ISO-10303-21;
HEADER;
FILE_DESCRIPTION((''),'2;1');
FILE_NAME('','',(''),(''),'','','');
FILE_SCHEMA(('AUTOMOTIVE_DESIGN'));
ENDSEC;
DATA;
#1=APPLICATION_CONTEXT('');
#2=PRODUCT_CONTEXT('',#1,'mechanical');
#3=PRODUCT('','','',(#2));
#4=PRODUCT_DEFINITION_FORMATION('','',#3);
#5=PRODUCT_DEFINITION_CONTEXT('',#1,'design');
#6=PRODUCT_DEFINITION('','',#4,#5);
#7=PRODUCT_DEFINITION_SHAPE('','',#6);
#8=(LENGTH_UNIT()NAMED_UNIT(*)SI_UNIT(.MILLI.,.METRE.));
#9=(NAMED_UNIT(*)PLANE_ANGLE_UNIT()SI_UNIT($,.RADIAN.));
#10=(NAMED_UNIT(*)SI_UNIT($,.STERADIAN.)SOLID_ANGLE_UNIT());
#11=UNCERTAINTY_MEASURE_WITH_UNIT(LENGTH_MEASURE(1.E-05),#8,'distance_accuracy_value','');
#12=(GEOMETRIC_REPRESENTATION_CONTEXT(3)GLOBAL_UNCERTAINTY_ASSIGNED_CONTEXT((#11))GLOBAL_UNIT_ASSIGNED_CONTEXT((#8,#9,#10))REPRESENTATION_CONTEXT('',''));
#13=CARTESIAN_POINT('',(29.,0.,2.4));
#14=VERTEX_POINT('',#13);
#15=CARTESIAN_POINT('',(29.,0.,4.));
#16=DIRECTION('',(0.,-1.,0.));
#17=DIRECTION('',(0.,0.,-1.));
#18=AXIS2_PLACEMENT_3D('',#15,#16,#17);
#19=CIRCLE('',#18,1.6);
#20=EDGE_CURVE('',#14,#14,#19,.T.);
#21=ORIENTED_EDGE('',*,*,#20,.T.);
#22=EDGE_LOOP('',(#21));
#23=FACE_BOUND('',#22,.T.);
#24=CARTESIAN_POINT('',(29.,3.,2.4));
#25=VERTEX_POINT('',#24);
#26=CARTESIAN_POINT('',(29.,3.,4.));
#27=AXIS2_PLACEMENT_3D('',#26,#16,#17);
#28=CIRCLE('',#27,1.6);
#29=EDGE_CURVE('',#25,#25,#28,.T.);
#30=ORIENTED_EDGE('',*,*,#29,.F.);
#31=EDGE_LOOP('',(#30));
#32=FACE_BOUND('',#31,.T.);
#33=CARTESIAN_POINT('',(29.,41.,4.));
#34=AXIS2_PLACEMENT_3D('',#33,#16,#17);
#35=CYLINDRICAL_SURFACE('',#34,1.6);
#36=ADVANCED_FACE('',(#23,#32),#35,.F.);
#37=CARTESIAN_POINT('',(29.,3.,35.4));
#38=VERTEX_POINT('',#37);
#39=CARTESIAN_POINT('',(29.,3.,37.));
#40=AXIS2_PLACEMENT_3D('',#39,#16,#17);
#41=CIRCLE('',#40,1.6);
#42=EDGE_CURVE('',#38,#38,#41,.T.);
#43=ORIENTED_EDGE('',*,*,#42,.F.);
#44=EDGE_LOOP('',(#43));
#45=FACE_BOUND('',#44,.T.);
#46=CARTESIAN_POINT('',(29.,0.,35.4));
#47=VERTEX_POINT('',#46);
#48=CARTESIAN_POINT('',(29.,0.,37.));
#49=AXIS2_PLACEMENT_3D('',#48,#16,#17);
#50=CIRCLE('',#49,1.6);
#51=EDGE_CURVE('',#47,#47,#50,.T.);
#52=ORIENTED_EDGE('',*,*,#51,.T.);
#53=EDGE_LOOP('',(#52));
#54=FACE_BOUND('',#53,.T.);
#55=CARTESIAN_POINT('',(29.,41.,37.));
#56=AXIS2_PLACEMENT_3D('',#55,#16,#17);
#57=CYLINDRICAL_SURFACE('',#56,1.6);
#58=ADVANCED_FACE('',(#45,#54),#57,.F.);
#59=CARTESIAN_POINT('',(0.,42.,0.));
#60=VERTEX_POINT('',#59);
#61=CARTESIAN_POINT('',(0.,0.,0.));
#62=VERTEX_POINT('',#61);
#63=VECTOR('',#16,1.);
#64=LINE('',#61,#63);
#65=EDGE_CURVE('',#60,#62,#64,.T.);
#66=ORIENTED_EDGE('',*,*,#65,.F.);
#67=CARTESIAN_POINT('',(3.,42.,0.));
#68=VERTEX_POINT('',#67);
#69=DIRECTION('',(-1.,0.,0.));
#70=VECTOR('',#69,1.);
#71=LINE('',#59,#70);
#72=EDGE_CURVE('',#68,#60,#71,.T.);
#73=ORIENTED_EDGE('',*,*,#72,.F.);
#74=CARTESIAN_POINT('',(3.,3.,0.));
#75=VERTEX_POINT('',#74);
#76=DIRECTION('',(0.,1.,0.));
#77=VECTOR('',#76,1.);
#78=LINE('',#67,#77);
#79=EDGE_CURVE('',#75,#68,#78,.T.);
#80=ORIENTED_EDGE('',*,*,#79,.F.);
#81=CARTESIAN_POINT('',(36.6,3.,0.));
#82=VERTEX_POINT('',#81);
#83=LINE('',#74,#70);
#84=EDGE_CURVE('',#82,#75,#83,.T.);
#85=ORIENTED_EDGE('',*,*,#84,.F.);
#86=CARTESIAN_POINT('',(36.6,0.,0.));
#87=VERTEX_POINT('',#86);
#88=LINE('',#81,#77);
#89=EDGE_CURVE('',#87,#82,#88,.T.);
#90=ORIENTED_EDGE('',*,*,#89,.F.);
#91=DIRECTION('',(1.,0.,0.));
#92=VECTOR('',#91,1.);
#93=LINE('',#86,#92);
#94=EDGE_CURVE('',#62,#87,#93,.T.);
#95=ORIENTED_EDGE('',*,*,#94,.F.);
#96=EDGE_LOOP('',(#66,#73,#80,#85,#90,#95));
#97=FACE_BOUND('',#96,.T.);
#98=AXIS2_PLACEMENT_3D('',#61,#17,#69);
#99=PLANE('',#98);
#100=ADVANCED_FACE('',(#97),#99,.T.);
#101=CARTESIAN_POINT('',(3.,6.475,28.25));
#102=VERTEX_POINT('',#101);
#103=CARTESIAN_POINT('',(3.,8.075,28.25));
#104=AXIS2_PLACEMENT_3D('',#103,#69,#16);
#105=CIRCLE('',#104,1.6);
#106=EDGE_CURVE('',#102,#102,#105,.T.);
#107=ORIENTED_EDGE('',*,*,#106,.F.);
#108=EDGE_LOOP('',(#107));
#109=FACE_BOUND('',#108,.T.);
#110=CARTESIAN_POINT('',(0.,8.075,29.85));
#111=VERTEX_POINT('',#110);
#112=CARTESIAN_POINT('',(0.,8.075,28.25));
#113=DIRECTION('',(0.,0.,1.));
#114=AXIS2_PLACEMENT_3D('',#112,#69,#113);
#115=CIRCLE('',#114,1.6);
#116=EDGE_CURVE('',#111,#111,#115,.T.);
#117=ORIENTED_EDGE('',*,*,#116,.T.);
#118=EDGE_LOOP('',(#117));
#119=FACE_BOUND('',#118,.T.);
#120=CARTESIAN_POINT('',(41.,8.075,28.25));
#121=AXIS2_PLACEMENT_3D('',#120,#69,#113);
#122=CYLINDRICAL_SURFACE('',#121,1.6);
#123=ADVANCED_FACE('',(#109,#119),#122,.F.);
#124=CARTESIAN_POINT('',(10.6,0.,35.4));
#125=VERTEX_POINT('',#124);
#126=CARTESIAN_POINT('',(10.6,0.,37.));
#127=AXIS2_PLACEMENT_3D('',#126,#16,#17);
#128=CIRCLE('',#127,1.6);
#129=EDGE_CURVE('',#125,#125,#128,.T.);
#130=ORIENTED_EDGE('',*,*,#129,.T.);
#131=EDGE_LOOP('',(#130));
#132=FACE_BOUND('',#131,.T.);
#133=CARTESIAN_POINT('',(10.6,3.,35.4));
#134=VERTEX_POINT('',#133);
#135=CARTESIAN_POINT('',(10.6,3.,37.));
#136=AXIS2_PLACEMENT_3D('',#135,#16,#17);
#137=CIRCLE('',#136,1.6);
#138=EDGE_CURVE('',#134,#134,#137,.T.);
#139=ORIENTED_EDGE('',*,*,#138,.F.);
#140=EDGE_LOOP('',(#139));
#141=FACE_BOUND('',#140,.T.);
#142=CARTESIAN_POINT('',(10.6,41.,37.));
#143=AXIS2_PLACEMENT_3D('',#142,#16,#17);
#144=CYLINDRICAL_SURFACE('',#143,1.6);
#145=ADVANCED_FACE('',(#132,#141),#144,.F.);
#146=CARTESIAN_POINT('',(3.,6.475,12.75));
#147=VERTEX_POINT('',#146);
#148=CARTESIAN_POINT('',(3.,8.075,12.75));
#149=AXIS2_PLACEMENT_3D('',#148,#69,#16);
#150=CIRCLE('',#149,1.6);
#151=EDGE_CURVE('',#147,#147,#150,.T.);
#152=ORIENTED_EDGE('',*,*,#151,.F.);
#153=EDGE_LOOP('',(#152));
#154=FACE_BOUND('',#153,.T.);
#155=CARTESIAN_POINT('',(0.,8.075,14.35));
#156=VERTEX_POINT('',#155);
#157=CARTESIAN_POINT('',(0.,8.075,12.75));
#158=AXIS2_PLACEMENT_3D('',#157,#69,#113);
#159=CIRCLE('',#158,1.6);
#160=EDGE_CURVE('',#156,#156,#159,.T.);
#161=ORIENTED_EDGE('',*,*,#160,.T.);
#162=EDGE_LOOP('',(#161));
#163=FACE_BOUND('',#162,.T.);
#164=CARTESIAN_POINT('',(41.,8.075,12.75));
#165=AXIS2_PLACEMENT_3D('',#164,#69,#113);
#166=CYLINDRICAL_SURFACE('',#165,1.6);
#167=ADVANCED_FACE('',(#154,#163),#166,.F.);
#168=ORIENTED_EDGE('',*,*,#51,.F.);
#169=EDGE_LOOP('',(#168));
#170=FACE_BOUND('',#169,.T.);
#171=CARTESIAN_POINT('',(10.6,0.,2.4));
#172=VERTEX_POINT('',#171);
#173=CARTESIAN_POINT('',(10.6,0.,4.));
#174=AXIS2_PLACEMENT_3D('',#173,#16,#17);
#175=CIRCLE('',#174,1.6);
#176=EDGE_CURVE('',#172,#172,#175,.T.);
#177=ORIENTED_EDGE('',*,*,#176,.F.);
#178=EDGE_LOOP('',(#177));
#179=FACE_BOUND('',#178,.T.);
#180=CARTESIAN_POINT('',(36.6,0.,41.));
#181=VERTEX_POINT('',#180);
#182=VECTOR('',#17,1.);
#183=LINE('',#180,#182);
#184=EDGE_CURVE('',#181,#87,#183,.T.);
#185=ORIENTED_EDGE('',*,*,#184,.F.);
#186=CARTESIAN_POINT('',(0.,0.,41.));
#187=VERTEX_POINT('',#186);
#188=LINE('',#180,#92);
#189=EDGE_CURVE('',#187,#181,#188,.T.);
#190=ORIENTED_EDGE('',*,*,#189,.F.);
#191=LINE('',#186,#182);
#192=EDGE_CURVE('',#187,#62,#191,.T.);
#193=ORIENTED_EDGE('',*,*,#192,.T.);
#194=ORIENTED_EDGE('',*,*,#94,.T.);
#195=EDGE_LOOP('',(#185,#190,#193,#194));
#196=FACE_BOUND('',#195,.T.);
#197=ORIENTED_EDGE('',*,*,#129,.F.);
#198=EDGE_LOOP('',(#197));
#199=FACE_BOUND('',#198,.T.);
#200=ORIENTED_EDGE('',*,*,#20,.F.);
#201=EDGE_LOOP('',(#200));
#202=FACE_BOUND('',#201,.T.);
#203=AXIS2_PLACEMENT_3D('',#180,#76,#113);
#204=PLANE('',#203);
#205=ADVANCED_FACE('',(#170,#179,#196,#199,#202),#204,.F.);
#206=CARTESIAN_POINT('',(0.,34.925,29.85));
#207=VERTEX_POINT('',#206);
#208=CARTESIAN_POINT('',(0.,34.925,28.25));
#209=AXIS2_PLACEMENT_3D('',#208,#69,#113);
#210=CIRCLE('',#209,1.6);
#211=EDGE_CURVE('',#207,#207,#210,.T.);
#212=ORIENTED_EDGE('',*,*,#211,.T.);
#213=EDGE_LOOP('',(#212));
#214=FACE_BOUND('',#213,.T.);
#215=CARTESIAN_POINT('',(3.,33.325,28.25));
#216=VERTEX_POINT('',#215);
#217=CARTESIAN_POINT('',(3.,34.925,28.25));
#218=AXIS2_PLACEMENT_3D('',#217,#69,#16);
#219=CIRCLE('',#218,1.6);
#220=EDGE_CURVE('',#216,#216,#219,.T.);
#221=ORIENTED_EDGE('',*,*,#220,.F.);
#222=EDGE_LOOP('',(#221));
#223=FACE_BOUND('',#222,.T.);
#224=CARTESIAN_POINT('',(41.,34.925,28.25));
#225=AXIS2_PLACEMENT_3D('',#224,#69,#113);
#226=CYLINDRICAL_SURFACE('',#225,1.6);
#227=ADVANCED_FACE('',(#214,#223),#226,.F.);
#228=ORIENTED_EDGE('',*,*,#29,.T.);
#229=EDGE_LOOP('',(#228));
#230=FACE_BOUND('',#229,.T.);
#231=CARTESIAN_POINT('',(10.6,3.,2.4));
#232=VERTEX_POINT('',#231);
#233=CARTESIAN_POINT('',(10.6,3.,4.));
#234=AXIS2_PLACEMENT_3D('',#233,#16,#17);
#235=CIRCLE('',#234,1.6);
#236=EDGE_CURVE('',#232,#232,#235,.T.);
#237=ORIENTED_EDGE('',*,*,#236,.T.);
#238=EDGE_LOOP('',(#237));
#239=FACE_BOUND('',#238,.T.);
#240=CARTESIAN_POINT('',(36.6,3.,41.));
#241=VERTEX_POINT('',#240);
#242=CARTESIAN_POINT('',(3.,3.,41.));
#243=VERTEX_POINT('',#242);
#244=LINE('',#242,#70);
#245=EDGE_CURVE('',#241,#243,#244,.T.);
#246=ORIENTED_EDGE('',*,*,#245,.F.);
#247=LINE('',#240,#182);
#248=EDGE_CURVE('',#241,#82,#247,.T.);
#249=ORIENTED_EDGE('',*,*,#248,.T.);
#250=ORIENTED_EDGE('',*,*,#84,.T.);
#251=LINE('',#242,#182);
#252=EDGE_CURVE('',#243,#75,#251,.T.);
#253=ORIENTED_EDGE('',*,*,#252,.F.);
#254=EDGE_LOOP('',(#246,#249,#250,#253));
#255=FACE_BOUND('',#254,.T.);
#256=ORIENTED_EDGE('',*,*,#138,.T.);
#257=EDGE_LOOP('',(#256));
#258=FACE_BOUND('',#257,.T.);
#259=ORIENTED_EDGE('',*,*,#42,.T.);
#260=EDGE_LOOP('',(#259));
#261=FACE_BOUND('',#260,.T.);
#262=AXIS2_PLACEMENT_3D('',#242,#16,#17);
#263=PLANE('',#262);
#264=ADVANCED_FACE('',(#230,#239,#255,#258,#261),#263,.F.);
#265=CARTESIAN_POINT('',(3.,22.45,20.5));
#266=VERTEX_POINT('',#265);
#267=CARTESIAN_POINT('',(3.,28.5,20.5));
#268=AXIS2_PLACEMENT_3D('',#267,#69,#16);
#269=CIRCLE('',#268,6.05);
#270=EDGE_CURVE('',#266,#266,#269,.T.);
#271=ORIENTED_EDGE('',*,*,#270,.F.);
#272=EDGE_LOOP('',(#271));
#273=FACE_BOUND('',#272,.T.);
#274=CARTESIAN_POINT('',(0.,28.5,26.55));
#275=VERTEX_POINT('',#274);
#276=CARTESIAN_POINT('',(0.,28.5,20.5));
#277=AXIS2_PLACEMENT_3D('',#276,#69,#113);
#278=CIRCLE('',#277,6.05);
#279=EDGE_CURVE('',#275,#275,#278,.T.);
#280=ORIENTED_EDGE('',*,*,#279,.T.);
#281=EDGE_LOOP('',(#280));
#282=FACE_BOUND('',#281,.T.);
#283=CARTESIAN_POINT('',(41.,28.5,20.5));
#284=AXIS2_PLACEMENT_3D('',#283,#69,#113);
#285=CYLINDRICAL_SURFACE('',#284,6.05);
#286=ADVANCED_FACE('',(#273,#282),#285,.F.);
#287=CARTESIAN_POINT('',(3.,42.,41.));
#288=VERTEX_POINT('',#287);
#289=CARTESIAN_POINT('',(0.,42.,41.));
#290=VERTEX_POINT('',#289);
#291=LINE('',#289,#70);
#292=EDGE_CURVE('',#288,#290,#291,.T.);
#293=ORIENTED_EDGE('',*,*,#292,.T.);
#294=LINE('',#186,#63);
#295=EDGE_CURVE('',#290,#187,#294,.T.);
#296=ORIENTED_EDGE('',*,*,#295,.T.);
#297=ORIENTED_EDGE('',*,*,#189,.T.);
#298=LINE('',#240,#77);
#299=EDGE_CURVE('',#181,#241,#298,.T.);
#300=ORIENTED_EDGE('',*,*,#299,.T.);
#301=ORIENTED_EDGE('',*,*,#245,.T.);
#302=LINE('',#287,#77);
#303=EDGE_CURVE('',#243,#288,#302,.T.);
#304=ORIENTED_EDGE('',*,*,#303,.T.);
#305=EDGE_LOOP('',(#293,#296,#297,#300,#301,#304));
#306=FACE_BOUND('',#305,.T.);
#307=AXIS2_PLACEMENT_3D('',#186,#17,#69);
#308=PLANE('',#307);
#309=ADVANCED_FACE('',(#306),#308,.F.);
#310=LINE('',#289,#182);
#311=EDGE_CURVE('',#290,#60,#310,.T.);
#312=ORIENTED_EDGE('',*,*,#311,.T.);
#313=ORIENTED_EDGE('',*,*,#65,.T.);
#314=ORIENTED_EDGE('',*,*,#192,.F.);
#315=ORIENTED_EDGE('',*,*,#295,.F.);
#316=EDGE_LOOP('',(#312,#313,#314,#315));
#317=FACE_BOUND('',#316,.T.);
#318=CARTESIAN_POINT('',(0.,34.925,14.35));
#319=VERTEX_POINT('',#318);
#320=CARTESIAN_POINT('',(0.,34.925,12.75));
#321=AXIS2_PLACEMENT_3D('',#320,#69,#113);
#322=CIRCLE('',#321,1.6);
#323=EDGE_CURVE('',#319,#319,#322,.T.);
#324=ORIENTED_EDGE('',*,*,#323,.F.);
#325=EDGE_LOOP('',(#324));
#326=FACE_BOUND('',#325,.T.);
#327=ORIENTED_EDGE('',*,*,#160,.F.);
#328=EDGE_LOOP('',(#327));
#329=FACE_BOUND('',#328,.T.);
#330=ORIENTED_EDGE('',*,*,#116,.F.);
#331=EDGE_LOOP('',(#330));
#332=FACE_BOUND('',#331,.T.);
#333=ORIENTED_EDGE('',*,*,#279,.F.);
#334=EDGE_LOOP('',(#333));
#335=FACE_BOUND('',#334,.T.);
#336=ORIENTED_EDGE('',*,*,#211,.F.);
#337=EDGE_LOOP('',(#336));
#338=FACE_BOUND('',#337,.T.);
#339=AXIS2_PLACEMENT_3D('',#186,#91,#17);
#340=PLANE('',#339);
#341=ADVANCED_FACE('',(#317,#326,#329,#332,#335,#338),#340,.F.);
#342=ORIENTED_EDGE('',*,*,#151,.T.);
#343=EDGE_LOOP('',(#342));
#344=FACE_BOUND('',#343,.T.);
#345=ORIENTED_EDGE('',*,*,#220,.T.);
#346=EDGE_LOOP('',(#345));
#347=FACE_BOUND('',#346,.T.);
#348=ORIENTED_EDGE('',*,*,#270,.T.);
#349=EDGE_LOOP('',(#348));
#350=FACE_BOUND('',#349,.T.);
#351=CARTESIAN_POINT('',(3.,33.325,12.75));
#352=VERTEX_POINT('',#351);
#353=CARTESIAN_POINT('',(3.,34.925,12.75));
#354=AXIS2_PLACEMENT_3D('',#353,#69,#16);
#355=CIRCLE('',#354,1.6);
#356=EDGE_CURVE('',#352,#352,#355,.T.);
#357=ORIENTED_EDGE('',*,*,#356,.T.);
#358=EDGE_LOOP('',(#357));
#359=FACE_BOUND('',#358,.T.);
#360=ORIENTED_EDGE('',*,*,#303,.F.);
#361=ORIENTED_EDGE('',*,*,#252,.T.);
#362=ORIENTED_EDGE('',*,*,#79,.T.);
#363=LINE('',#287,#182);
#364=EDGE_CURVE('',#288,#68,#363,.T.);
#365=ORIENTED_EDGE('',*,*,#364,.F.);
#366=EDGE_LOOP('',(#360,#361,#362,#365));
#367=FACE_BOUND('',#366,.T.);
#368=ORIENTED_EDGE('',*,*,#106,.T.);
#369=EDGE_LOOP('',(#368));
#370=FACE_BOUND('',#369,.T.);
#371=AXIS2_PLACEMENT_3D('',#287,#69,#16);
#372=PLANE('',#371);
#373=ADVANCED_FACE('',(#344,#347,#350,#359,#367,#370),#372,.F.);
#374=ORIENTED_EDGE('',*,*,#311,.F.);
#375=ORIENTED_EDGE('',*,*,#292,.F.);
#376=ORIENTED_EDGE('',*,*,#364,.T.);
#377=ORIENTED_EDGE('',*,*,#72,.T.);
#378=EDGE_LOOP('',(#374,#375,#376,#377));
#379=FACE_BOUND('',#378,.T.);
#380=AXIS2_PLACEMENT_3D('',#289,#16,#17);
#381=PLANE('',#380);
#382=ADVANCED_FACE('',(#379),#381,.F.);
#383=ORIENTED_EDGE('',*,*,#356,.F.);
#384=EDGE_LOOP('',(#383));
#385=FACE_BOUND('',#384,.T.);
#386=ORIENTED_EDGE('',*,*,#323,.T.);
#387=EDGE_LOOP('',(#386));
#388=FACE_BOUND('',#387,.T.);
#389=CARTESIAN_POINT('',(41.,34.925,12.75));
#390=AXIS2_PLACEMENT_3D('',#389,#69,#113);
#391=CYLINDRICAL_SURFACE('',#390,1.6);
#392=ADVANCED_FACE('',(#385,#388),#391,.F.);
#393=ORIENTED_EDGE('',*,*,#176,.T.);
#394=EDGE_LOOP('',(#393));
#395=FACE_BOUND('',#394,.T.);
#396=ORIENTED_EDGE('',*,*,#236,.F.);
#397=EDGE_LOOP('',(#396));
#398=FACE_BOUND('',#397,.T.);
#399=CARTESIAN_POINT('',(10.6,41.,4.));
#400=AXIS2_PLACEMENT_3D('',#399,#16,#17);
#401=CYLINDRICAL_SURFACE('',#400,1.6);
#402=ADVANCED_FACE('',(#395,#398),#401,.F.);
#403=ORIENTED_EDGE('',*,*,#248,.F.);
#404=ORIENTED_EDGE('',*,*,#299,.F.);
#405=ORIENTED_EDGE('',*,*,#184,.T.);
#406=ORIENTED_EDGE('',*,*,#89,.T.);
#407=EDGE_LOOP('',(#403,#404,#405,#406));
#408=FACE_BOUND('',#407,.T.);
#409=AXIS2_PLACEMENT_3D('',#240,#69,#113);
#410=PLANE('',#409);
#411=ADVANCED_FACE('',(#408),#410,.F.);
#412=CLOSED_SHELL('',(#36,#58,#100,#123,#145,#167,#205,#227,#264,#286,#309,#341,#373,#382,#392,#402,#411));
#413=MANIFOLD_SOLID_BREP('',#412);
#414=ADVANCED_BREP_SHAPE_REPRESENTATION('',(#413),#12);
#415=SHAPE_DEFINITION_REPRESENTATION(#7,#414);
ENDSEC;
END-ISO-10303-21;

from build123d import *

# Parameters (mm, degrees)
EXTRUDE_1_DEPTH     = 41
SKETCH_2_R          = 6.05
SKETCH_2_R_2        = 1.6
CUT_EXTRUDE_1_DEPTH = 41
SKETCH_3_R          = 1.6
CUT_EXTRUDE_2_DEPTH = 41


with BuildPart() as part:
    # ｽｹｯﾁ1 → ﾎﾞｽ - 押し出し1 (new body)
    with BuildSketch(Plane.XY):
        Polygon((0, 0), (0, 42), (3, 42), (3, 3), (36.6, 3), (36.6, 0), align=None)
    extrude(amount=EXTRUDE_1_DEPTH)

    # ｽｹｯﾁ2 → ｶｯﾄ - 押し出し1 (cut)
    with BuildSketch(Plane.ZY):
        with Locations((20.5, 28.5)):
            Circle(SKETCH_2_R)
        with Locations((28.25, 34.925)):
            Circle(SKETCH_2_R_2)
        with Locations((28.25, 8.075)):
            Circle(SKETCH_2_R_2)
        with Locations((12.75, 8.075)):
            Circle(SKETCH_2_R_2)
        with Locations((12.75, 34.925)):
            Circle(SKETCH_2_R_2)
    extrude(amount=-CUT_EXTRUDE_1_DEPTH, mode=Mode.SUBTRACT)

    # ｽｹｯﾁ3 → ｶｯﾄ - 押し出し2 (cut)
    with BuildSketch(Plane(origin=(0, 0, 0), x_dir=(-1, 0, 0), z_dir=(0, -1, 0))):
        with Locations((-10.6, -37)):
            Circle(SKETCH_3_R)
        with Locations((-10.6, -4)):
            Circle(SKETCH_3_R)
        with Locations((-29, -4)):
            Circle(SKETCH_3_R)
        with Locations((-29, -37)):
            Circle(SKETCH_3_R)
    extrude(amount=-CUT_EXTRUDE_2_DEPTH, mode=Mode.SUBTRACT)


solid = part.part
